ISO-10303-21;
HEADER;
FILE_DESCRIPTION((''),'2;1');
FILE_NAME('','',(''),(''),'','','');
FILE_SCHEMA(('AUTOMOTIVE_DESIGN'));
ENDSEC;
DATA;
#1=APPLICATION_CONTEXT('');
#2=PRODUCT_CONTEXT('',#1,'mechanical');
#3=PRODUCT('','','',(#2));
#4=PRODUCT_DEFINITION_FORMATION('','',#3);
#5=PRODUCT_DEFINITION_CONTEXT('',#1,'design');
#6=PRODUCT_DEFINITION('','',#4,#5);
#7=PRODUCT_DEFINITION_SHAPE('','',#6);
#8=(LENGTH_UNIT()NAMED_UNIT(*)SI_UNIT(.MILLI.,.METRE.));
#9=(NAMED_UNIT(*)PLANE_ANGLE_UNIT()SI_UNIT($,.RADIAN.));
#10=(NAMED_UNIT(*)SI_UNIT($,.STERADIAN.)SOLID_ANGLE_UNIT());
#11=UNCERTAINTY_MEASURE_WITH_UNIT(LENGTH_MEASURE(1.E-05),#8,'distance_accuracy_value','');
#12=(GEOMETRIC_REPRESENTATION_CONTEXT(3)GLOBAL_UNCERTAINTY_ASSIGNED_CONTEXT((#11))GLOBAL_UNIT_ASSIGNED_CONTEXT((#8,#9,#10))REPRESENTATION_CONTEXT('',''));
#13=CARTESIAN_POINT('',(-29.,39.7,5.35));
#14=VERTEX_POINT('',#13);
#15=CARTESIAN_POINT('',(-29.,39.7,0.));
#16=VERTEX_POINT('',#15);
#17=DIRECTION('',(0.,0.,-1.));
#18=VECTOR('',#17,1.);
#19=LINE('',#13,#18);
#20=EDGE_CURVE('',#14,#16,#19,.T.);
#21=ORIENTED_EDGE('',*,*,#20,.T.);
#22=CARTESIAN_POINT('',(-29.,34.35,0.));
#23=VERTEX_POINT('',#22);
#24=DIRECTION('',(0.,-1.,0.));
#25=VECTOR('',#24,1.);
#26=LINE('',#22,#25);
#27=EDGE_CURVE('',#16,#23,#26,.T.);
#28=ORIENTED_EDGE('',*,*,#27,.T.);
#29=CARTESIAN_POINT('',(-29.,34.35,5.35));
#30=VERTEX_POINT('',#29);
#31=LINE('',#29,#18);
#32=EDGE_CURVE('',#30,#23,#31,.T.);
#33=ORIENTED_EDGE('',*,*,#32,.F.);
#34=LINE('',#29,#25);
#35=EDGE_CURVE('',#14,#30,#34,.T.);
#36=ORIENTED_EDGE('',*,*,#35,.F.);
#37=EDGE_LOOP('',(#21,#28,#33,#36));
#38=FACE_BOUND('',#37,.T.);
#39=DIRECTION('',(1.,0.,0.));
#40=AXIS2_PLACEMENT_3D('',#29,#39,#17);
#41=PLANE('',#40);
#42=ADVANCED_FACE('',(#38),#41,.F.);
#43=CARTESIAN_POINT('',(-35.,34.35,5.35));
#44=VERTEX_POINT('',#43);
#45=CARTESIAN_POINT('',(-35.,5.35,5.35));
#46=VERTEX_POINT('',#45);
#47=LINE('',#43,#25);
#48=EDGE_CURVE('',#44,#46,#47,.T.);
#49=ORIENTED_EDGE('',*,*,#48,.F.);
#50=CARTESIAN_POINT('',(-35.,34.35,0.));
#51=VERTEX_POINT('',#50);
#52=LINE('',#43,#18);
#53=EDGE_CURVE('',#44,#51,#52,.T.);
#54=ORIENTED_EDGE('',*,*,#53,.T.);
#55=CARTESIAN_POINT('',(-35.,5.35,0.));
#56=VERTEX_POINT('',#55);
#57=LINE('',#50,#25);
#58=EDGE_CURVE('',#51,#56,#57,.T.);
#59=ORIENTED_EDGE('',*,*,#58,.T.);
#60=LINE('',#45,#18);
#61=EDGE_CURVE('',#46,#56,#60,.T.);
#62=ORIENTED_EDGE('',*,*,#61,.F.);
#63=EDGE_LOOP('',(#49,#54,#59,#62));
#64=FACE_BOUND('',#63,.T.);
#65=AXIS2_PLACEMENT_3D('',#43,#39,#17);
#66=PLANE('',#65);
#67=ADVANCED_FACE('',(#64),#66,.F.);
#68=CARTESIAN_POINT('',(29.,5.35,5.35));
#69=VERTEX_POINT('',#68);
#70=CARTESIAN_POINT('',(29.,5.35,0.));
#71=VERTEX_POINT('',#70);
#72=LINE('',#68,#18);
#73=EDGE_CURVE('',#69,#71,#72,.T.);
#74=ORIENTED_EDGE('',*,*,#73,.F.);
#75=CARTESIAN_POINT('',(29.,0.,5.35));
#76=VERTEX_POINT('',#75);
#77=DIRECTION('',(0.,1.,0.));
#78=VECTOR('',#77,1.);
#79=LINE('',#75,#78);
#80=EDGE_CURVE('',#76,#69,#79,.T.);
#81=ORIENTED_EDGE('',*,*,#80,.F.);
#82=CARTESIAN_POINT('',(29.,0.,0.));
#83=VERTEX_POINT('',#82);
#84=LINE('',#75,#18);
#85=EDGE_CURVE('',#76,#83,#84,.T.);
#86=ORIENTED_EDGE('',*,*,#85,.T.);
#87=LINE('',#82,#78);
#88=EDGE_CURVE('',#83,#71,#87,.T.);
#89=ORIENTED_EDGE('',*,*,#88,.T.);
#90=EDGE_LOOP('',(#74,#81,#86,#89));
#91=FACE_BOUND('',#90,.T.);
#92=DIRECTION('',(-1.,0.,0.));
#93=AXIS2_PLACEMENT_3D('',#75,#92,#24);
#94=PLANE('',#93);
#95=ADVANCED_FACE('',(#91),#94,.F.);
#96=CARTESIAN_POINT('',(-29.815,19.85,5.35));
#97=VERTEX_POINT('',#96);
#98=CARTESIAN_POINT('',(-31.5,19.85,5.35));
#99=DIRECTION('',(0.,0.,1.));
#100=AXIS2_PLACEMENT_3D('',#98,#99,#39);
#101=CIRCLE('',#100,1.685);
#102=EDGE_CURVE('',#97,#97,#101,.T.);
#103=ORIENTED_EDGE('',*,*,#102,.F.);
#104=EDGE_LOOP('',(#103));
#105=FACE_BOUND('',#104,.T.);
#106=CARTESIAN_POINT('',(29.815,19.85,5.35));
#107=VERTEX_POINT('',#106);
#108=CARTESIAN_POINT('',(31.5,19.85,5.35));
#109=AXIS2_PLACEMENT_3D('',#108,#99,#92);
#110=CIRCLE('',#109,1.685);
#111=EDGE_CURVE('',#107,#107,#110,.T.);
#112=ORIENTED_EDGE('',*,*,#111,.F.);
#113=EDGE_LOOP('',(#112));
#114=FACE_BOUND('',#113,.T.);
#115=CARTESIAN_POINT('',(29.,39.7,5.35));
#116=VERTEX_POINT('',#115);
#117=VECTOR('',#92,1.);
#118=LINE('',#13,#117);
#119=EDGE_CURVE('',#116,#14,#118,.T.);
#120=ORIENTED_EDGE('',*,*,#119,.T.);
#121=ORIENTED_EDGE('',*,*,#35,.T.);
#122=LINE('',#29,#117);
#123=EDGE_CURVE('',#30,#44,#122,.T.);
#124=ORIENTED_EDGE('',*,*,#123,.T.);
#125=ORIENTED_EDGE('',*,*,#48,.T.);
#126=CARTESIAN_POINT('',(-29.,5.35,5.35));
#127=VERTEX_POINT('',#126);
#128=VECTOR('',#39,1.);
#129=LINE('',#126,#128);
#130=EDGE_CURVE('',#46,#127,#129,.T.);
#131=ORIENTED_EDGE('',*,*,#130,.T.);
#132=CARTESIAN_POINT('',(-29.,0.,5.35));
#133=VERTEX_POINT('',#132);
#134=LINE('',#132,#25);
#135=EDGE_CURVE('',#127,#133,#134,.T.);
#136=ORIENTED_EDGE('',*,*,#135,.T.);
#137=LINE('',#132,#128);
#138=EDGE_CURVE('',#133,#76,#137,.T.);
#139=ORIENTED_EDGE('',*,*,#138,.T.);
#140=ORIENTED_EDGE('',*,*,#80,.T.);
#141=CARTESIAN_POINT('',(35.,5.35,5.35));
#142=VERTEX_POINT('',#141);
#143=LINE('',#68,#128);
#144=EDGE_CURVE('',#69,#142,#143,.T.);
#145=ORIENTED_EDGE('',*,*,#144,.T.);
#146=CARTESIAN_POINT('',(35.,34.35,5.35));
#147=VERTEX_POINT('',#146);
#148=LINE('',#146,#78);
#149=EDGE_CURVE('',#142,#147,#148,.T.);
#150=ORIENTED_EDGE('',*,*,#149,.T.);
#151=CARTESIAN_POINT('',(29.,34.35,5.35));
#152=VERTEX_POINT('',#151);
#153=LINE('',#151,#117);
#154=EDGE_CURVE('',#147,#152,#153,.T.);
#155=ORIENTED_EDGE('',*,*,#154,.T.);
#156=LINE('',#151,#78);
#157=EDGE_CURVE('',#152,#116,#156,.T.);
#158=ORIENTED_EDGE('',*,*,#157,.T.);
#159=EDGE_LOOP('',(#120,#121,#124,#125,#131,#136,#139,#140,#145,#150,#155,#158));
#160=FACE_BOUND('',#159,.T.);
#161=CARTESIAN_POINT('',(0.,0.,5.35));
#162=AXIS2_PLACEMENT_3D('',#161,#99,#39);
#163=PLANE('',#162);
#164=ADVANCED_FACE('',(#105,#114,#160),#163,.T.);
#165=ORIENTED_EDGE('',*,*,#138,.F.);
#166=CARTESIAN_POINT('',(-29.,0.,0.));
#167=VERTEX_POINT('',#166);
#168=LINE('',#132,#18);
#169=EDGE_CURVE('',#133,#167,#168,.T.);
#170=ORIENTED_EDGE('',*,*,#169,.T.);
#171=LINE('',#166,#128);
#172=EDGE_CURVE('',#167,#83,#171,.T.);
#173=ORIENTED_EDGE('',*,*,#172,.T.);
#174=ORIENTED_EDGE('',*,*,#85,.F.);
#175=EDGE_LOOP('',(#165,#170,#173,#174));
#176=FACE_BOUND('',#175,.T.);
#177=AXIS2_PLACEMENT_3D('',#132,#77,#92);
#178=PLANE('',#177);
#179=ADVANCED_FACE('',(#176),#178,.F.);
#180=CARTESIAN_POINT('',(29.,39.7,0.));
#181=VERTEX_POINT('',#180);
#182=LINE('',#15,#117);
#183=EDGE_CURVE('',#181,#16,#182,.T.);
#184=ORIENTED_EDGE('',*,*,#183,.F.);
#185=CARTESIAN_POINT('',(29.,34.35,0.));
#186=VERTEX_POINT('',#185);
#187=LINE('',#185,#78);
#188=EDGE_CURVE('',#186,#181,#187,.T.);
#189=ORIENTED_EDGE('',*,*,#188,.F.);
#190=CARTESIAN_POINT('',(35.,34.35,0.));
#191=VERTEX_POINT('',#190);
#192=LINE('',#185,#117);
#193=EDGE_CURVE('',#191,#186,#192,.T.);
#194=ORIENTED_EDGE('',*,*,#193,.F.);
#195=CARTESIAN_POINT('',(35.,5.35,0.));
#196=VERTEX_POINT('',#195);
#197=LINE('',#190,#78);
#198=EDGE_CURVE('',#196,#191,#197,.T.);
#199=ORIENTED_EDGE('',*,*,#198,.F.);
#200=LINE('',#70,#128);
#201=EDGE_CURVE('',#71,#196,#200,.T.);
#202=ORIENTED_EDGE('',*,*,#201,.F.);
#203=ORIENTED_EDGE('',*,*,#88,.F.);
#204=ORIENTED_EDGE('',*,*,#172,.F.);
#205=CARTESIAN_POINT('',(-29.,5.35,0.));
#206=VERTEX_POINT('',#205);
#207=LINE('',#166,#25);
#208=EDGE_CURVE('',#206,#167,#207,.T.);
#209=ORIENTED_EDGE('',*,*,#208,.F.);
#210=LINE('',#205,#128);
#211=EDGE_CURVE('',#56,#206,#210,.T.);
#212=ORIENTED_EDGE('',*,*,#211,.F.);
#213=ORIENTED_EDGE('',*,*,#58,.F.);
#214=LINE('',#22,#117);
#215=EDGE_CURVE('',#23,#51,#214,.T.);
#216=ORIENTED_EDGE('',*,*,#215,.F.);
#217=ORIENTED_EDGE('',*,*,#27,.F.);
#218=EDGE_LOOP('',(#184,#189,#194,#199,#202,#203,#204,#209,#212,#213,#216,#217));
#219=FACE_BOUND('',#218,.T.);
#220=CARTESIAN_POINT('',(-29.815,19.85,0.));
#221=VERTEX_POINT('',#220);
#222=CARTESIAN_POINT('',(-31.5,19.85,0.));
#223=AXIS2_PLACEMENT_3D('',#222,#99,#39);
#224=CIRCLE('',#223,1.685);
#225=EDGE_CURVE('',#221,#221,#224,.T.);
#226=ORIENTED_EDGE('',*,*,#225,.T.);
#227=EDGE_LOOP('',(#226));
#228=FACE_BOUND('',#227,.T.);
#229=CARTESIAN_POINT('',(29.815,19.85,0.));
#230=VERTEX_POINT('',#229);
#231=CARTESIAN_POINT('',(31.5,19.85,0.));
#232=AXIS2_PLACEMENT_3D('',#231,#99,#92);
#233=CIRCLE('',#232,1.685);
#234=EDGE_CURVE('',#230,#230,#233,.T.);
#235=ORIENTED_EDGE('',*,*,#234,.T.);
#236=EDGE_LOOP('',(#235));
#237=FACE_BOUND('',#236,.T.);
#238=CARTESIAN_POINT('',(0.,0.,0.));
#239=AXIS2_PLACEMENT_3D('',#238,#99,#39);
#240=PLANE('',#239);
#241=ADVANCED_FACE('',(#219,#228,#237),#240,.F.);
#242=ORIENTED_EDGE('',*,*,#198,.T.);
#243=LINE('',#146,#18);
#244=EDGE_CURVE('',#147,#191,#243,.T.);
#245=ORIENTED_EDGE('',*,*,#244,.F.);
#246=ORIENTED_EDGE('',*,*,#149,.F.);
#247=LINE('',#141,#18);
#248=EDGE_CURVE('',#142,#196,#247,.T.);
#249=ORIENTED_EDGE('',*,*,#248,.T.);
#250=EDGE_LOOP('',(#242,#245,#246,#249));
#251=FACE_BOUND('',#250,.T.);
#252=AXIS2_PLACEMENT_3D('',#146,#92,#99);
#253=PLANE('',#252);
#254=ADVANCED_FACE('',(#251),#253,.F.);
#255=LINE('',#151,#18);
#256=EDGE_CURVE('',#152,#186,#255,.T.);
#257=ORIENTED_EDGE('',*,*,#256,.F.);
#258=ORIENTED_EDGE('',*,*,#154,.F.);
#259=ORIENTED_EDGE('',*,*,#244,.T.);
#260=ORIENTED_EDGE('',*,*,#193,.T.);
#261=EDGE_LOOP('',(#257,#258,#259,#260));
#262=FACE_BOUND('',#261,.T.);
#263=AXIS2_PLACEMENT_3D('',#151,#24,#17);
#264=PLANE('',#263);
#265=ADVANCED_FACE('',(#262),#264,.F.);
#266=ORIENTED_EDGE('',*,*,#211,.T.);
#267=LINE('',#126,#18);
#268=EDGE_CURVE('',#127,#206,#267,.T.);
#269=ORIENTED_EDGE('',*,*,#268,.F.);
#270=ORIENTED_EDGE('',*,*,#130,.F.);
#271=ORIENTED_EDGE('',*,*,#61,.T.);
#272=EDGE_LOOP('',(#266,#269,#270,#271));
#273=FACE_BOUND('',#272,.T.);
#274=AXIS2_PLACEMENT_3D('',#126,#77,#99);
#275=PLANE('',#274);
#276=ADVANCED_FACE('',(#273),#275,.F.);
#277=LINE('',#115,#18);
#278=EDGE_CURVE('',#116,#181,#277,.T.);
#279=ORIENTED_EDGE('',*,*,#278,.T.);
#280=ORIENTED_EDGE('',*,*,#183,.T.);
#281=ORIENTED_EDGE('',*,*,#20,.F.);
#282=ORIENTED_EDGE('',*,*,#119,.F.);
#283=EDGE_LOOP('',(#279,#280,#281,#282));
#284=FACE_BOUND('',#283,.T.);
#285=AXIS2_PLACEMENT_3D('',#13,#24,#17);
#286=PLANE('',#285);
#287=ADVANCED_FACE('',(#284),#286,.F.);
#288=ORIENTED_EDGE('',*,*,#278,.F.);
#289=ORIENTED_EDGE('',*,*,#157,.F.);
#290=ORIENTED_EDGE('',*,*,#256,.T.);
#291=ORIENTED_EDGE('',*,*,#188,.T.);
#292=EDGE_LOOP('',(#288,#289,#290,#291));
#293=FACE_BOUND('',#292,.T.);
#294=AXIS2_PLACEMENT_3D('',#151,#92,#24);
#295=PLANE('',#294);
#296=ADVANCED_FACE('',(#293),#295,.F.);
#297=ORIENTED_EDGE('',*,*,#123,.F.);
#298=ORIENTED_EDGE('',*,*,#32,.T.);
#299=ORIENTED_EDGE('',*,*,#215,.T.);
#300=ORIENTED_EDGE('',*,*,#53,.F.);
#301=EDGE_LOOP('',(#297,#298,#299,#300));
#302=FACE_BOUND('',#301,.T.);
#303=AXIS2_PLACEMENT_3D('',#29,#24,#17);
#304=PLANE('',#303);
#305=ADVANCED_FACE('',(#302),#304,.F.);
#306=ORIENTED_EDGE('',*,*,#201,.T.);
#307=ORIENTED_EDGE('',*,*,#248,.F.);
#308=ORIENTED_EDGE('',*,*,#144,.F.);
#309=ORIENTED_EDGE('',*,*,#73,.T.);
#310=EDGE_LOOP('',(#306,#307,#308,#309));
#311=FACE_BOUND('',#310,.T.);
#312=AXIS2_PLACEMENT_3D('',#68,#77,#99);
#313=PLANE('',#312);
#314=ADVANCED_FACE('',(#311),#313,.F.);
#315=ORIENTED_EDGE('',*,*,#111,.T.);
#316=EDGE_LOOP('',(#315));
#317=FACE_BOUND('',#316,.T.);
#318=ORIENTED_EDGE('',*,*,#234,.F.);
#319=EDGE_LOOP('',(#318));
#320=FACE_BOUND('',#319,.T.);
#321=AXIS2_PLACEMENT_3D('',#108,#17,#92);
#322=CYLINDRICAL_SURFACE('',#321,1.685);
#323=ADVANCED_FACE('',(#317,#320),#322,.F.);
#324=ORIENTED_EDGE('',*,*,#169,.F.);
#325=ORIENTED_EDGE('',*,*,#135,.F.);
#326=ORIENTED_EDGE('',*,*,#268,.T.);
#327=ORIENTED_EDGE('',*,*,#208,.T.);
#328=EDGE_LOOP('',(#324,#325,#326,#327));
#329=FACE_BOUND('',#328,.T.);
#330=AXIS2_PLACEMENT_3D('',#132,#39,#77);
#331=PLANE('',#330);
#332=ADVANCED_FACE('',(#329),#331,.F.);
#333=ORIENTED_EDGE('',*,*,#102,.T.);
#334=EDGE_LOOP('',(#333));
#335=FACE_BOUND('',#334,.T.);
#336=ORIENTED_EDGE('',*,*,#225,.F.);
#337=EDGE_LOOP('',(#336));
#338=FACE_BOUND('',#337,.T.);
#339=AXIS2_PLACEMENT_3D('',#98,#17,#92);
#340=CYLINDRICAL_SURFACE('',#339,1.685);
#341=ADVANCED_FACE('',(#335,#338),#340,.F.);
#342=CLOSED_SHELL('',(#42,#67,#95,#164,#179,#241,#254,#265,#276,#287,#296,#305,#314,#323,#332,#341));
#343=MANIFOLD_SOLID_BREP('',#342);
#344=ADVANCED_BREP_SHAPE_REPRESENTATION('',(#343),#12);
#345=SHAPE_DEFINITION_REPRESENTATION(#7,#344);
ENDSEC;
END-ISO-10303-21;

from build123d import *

# Parameters (mm, degrees)
MODEL_R             = 1.685
BOSS_EXTRUDE1_DEPTH = 5.35


with BuildPart() as part:
    # Model → Boss-Extrude1 (new body)
    with BuildSketch(Plane.XY):
        Polygon((-29, 0), (29, 0), (29, 5.35), (35, 5.35), (35, 34.35), (29, 34.35), (29, 39.7), (-29, 39.7), (-29, 34.35), (-35, 34.35), (-35, 5.35), (-29, 5.35), align=None)
        with Locations((-31.5, 19.85)):
            Circle(MODEL_R, mode=Mode.SUBTRACT)
        with Locations(Location((31.5, 19.85, 0), (0, 0, 180))):
            Circle(MODEL_R, mode=Mode.SUBTRACT)
    extrude(amount=BOSS_EXTRUDE1_DEPTH)


solid = part.part
